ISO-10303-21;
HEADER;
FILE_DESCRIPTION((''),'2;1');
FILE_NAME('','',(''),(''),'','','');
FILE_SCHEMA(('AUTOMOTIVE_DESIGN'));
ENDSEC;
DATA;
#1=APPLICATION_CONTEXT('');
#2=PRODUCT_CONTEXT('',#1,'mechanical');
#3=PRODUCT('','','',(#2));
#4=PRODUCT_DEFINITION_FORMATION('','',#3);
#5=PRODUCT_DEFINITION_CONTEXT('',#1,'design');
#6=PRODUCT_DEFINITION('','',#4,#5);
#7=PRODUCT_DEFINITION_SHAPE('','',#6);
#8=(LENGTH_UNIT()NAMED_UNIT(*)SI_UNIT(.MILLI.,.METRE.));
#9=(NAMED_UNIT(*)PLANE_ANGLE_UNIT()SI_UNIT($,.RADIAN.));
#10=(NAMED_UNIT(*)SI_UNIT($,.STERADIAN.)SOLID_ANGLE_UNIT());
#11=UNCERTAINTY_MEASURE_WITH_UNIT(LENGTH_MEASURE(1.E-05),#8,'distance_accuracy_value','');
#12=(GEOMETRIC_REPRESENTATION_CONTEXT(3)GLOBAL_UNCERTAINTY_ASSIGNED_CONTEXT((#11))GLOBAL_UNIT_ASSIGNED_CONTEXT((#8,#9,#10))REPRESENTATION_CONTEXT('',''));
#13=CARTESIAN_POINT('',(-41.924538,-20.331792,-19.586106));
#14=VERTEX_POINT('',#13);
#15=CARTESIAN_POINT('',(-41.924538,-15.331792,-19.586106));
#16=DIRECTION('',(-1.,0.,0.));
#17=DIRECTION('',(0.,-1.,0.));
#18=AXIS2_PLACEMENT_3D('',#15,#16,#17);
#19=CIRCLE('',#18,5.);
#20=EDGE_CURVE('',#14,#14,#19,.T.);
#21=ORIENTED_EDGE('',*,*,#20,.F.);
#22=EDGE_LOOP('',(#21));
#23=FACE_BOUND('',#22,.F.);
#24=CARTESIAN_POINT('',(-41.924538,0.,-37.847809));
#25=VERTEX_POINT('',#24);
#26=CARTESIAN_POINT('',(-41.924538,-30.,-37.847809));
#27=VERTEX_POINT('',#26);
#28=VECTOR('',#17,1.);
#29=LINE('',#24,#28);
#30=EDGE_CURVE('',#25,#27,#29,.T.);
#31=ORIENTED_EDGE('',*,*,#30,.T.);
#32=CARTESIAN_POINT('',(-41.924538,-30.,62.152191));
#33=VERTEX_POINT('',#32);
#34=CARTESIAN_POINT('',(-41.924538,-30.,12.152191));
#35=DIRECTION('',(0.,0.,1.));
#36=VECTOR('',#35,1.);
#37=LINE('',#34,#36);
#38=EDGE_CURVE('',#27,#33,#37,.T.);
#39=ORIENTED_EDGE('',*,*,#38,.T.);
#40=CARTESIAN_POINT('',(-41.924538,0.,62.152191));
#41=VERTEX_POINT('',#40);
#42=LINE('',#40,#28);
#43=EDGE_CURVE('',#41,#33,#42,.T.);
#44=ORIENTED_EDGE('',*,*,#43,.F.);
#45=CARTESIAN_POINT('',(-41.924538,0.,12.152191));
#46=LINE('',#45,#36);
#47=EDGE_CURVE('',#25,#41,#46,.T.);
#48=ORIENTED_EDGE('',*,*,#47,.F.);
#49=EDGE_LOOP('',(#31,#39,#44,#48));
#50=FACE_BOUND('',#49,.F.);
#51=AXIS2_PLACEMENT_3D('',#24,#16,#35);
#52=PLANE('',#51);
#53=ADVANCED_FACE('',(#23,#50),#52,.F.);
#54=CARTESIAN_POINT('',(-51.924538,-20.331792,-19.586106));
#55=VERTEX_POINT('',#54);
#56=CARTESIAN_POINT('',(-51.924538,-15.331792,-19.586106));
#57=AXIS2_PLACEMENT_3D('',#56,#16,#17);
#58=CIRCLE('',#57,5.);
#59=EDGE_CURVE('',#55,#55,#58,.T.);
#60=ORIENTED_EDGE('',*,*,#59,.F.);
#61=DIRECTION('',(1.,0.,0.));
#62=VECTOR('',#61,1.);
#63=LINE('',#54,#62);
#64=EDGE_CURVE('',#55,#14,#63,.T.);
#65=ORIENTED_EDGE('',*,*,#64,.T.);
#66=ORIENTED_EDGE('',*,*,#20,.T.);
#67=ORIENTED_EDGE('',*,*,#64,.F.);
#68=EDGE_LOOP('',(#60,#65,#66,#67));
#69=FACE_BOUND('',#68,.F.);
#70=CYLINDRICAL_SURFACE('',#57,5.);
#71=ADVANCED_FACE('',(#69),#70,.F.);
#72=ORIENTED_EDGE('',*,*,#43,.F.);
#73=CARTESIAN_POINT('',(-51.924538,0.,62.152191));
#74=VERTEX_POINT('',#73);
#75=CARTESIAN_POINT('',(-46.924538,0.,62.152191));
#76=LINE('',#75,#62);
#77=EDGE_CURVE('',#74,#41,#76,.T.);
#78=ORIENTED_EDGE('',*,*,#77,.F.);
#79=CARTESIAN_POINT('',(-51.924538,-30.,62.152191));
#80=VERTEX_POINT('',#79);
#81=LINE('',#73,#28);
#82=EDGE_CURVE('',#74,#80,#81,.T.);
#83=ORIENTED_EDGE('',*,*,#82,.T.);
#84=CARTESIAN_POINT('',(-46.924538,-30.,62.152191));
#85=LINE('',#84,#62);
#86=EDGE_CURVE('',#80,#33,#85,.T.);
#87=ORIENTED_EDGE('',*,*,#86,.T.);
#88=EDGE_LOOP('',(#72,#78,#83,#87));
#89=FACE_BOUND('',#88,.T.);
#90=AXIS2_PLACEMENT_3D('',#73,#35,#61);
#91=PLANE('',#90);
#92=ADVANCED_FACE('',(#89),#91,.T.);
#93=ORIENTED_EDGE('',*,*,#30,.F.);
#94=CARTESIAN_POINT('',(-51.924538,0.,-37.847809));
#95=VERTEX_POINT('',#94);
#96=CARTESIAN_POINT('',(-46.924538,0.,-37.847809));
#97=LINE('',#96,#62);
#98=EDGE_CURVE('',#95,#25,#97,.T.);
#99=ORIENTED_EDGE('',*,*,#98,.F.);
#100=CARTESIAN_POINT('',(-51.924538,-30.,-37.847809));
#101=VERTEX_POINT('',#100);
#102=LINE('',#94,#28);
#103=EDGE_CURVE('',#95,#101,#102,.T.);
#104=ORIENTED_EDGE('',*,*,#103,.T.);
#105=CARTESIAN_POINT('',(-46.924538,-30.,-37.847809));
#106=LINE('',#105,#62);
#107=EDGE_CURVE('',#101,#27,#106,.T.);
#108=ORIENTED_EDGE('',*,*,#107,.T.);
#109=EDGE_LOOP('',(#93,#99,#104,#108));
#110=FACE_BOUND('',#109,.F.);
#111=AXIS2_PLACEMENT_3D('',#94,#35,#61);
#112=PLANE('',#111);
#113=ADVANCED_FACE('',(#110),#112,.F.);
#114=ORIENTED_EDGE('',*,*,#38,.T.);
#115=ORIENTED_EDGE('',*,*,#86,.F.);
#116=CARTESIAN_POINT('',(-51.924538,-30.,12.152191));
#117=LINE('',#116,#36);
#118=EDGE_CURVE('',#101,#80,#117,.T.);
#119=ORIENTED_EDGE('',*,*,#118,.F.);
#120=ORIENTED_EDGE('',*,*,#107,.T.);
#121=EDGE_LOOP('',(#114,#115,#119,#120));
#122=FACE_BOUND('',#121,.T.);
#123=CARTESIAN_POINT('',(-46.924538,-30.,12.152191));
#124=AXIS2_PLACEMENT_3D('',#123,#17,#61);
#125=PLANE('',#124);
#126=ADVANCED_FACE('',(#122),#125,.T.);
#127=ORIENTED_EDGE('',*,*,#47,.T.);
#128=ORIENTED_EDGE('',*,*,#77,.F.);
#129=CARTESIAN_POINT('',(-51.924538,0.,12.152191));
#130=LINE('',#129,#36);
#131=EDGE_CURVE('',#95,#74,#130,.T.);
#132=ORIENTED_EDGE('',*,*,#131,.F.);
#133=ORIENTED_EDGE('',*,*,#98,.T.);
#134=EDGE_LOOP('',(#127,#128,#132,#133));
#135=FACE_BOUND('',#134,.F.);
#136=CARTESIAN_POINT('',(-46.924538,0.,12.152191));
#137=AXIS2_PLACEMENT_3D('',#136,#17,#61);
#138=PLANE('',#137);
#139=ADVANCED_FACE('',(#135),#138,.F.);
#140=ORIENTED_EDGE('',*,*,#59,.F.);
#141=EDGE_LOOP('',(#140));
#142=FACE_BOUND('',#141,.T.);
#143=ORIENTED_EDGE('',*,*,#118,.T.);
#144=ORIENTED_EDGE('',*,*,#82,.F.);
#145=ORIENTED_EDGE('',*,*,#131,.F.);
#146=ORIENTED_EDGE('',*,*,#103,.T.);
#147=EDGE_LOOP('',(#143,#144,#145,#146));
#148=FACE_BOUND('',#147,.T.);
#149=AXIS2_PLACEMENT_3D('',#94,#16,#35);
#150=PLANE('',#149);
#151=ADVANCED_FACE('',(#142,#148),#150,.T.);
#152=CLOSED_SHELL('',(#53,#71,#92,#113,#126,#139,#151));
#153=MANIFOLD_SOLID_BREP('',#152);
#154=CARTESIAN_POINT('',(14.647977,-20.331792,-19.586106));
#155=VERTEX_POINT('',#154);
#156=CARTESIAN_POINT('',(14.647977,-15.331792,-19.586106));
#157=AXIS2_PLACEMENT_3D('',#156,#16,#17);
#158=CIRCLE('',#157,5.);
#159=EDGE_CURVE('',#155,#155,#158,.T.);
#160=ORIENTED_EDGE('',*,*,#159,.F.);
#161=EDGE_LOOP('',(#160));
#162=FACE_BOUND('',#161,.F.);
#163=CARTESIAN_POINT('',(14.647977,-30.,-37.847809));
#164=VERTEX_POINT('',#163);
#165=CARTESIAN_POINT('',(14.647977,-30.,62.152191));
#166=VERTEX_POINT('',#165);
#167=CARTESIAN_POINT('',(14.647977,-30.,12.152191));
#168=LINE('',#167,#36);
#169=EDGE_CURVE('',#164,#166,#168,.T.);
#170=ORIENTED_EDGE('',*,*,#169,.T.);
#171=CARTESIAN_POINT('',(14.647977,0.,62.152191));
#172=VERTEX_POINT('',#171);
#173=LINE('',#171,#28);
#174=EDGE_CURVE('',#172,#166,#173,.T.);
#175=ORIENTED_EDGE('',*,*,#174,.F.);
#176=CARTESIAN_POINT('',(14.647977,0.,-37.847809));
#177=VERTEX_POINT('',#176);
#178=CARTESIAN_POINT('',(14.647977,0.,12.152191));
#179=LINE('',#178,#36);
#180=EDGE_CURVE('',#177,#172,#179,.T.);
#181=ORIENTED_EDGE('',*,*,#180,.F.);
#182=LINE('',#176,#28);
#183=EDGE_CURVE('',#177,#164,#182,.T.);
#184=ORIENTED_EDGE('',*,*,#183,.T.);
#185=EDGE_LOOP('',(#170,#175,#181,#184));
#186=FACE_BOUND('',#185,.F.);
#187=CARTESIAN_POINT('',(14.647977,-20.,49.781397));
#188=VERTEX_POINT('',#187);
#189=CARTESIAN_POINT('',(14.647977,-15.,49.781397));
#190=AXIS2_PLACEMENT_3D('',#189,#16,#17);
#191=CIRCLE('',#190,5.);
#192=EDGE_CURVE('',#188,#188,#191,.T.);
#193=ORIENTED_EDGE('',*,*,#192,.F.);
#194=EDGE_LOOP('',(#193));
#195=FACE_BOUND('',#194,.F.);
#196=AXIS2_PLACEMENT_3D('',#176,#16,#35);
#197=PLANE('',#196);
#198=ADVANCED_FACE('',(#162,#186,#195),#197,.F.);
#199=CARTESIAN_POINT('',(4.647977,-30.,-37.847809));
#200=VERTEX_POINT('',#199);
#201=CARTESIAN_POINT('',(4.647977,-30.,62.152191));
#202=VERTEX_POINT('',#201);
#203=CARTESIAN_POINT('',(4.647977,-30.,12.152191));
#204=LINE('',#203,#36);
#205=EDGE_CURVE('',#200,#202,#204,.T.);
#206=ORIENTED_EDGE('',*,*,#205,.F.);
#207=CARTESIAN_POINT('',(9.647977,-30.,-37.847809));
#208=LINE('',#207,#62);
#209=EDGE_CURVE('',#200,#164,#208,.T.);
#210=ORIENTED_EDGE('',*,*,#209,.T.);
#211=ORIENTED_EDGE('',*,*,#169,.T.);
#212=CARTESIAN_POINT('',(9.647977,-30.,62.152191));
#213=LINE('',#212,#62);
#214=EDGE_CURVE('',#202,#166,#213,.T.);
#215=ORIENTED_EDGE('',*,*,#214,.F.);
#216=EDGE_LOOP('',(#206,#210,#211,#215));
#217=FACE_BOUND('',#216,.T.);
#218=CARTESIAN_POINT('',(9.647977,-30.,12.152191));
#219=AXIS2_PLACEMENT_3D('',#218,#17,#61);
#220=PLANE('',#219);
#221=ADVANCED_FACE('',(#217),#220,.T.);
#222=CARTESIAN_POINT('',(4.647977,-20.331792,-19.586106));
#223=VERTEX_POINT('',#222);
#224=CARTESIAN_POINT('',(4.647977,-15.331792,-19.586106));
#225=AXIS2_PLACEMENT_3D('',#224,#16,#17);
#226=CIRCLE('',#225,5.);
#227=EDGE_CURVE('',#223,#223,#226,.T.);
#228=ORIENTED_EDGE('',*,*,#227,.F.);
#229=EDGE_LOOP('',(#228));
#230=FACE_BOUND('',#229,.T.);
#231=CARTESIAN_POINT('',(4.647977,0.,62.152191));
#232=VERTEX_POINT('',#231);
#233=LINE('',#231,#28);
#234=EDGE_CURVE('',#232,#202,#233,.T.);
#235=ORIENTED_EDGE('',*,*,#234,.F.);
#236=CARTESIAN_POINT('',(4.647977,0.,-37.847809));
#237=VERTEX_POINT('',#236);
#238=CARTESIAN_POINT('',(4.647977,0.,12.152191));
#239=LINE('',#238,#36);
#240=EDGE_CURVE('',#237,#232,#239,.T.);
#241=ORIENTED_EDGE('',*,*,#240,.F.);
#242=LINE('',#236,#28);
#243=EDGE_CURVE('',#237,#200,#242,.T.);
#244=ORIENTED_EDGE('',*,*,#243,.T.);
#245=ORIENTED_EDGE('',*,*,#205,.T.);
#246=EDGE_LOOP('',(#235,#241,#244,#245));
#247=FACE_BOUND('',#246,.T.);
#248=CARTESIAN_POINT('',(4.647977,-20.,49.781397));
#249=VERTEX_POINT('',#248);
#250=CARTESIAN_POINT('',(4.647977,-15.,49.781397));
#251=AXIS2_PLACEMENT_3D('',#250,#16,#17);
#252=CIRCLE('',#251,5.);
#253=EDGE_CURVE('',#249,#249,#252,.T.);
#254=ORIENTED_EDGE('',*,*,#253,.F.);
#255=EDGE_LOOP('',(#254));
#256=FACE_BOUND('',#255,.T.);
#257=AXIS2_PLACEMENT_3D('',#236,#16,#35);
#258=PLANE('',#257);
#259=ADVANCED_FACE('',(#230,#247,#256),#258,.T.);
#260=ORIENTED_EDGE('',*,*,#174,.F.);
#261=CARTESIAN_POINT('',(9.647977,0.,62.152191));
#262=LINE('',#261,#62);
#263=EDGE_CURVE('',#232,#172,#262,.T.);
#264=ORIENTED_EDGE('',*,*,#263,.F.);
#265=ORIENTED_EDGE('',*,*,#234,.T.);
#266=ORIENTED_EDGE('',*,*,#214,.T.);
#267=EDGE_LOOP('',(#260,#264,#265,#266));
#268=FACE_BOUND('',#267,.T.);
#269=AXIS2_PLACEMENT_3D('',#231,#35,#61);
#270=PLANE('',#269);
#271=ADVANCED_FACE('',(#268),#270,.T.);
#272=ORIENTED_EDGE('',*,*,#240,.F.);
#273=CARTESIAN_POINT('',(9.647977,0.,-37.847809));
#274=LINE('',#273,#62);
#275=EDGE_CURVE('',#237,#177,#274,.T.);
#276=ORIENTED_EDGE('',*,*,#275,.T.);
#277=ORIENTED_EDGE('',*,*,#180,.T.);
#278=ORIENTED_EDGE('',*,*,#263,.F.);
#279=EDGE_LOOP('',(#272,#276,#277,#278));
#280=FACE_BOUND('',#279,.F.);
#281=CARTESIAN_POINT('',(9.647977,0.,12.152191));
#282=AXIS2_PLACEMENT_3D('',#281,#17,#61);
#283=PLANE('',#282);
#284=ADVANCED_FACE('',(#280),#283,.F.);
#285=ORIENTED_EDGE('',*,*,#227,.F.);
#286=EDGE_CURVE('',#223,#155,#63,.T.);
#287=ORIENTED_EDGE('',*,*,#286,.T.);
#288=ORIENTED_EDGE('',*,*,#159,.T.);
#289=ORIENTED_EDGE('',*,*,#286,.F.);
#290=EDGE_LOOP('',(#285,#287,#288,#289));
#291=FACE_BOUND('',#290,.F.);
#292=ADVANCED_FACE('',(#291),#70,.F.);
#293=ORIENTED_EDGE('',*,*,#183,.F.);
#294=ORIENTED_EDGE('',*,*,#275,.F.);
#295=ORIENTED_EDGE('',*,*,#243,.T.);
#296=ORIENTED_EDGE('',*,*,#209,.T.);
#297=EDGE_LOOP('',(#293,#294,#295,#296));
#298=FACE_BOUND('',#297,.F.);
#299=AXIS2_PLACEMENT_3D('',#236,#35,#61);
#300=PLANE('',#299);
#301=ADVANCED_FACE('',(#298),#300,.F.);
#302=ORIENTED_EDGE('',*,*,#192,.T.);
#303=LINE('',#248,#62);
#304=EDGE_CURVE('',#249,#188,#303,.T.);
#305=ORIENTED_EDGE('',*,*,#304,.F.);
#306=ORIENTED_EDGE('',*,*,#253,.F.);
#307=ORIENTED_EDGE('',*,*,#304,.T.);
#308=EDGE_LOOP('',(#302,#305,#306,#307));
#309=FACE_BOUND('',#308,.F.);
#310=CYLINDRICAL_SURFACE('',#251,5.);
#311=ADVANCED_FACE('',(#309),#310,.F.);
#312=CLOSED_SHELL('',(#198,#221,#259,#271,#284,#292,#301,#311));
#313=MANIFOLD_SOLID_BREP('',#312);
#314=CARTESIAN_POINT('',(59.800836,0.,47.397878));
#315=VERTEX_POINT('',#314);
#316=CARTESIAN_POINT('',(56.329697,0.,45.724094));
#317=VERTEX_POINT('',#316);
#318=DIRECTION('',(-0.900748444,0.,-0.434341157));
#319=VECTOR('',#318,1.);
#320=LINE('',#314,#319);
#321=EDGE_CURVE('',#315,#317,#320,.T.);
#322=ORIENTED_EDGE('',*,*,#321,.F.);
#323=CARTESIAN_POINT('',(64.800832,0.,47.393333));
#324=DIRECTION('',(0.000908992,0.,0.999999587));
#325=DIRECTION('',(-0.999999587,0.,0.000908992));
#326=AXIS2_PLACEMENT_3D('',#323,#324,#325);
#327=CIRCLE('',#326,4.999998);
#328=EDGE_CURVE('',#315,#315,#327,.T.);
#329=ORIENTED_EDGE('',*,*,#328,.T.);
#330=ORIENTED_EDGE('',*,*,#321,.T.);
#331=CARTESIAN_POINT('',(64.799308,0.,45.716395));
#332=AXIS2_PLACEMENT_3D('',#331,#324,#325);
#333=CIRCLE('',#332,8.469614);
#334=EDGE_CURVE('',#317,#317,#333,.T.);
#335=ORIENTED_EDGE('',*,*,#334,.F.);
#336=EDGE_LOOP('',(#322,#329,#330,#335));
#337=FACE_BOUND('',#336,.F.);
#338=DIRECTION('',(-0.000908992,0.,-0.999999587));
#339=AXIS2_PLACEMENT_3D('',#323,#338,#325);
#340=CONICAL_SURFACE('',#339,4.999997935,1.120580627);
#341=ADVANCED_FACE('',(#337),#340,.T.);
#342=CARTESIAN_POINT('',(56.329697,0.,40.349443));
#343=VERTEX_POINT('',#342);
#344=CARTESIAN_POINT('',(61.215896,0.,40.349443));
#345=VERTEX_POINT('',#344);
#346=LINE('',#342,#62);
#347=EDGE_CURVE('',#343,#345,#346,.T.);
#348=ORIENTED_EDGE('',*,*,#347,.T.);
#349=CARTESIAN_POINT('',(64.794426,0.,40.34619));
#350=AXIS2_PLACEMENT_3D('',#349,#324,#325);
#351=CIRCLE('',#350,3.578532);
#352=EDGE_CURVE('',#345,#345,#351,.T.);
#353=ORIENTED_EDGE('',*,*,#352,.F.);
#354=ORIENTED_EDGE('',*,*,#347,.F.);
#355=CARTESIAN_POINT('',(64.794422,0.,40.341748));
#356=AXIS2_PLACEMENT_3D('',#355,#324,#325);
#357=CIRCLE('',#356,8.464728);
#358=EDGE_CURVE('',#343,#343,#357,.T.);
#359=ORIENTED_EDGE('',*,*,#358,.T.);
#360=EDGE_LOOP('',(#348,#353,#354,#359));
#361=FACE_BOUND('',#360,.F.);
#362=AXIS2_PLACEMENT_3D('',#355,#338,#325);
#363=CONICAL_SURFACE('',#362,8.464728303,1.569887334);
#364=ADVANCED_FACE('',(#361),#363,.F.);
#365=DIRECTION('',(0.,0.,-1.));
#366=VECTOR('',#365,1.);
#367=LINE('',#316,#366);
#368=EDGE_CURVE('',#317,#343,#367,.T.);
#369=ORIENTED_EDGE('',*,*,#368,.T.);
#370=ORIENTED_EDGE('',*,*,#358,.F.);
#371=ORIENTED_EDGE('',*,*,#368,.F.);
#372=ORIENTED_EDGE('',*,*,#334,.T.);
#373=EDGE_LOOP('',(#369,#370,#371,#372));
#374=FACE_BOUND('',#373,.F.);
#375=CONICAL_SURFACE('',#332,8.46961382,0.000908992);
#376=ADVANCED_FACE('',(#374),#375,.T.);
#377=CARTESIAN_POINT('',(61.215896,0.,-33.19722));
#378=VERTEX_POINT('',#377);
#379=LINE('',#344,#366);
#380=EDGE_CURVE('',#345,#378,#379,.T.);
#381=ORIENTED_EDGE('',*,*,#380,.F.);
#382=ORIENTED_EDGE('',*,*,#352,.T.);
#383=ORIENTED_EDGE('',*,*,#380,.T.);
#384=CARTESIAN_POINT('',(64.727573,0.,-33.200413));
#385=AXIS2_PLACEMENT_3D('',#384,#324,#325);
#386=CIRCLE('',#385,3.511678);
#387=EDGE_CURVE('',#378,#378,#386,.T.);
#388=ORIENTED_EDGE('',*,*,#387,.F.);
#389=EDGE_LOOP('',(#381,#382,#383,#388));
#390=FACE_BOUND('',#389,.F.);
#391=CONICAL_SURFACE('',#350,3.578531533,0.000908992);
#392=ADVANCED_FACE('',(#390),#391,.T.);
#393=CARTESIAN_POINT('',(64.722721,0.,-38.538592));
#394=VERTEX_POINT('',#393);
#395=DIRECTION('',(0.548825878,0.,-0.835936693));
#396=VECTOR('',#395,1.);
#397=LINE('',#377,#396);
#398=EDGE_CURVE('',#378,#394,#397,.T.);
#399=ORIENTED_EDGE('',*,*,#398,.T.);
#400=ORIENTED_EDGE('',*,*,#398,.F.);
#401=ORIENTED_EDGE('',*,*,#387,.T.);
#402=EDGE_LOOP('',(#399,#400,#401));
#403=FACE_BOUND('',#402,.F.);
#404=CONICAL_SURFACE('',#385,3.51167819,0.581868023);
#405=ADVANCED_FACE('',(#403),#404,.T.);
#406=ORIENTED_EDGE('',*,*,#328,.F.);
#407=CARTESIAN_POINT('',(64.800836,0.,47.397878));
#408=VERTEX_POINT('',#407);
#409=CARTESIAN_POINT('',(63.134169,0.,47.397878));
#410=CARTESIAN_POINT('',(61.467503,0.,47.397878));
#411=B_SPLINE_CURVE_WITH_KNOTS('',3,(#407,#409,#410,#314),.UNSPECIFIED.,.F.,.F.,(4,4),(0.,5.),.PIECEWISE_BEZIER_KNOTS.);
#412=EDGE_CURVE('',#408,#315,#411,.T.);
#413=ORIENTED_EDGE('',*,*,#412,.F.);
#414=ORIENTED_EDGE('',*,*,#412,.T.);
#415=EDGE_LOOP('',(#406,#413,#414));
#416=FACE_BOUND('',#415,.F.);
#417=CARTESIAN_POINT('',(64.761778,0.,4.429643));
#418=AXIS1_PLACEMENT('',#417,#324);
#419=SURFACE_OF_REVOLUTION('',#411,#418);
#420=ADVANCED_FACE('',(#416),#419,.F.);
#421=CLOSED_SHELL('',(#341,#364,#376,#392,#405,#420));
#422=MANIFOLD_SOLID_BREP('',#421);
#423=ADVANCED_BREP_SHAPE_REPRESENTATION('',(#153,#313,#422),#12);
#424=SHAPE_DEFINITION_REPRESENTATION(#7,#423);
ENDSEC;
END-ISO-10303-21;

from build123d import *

# Parameters (mm, degrees)
F0_W     = 10
F0_H     = 100
F1_DEPTH = 30
F2_R     = 5
F3_DEPTH = 66.5735150518
F6_R     = 5
F7_DEPTH = 68.6219408258


with BuildPart() as f1:
    # F0 (on Front) → F1 (new body)
    with BuildSketch(Plane.XZ):
        with Locations((9.6479771845, 12.1521905065)):
            Rectangle(F0_W, F0_H)
    extrude(amount=F1_DEPTH)


with BuildPart() as f1b:
    # F0 (on Front) → F1, piece 2 (new body)
    with BuildSketch(Plane.XZ):
        with Locations((-46.9245378673, 12.1521905065)):
            Rectangle(F0_W, F0_H)
    extrude(amount=F1_DEPTH)


with BuildPart() as f3_tool:
    # F2 (on face) → F3 (new body, through all)
    with BuildSketch(Plane(origin=(-51.9245378673, 0, 0), x_dir=(0, -1, 0), z_dir=(-1, 0, 0))):
        with Locations((15.3317916545, -19.5861064423)):
            Circle(F2_R)
    extrude(amount=-F3_DEPTH)


with BuildPart() as f1_1:
    add(f1.part)

    # F3: cut by f3_tool
    add(f3_tool.part, mode=Mode.SUBTRACT)

    # F6 (on face) → F7 (cut, through all)
    with BuildSketch(Plane(origin=(4.6479771845, 0, 0), x_dir=(0, -1, 0), z_dir=(-1, 0, 0))):
        with Locations((15, 49.7813969851)):
            Circle(F6_R)
    extrude(amount=-F7_DEPTH, mode=Mode.SUBTRACT)


with BuildPart() as f1b_1:
    add(f1b.part)

    # F3: cut by f3_tool
    add(f3_tool.part, mode=Mode.SUBTRACT)


with BuildPart() as f5:
    # F4 (on Front) → F5 (revolve)
    with BuildSketch(Plane.XZ):
        with BuildLine():
            Line((64.7227205336, -38.5385924019), (64.8008361459, 47.397878021))
            add(Edge.make_bspline(
                [(64.8008361459, 47.397878021), (63.1341694792, 47.397878021), (61.4675028125, 47.397878021), (59.8008361459, 47.397878021)],
                knots=[0, 0, 0, 0, 5, 5, 5, 5], degree=3))
            Line((59.8008361459, 47.397878021), (56.3296973705, 45.724093914))
            Line((56.3296973705, 45.724093914), (56.3296973705, 42.56253317))
            Line((56.3296973705, 42.56253317), (56.3296973705, 40.3494425118))
            Line((56.3296973705, 40.3494425118), (61.2158961594, 40.3494425118))
            Line((61.2158961594, 40.3494425118), (61.2158961594, -6.2264050357))
            Line((61.2158961594, -6.2264050357), (61.2158961594, -33.1972204149))
            Line((61.2158961594, -33.1972204149), (64.7227205336, -38.5385924019))
        make_face()
    revolve(axis=Axis((64.7617783397, 0, 4.4296428096), (0.0009089922, 0, 0.9999995869)))


solid = Compound([f1_1.part, f1b_1.part, f5.part])
